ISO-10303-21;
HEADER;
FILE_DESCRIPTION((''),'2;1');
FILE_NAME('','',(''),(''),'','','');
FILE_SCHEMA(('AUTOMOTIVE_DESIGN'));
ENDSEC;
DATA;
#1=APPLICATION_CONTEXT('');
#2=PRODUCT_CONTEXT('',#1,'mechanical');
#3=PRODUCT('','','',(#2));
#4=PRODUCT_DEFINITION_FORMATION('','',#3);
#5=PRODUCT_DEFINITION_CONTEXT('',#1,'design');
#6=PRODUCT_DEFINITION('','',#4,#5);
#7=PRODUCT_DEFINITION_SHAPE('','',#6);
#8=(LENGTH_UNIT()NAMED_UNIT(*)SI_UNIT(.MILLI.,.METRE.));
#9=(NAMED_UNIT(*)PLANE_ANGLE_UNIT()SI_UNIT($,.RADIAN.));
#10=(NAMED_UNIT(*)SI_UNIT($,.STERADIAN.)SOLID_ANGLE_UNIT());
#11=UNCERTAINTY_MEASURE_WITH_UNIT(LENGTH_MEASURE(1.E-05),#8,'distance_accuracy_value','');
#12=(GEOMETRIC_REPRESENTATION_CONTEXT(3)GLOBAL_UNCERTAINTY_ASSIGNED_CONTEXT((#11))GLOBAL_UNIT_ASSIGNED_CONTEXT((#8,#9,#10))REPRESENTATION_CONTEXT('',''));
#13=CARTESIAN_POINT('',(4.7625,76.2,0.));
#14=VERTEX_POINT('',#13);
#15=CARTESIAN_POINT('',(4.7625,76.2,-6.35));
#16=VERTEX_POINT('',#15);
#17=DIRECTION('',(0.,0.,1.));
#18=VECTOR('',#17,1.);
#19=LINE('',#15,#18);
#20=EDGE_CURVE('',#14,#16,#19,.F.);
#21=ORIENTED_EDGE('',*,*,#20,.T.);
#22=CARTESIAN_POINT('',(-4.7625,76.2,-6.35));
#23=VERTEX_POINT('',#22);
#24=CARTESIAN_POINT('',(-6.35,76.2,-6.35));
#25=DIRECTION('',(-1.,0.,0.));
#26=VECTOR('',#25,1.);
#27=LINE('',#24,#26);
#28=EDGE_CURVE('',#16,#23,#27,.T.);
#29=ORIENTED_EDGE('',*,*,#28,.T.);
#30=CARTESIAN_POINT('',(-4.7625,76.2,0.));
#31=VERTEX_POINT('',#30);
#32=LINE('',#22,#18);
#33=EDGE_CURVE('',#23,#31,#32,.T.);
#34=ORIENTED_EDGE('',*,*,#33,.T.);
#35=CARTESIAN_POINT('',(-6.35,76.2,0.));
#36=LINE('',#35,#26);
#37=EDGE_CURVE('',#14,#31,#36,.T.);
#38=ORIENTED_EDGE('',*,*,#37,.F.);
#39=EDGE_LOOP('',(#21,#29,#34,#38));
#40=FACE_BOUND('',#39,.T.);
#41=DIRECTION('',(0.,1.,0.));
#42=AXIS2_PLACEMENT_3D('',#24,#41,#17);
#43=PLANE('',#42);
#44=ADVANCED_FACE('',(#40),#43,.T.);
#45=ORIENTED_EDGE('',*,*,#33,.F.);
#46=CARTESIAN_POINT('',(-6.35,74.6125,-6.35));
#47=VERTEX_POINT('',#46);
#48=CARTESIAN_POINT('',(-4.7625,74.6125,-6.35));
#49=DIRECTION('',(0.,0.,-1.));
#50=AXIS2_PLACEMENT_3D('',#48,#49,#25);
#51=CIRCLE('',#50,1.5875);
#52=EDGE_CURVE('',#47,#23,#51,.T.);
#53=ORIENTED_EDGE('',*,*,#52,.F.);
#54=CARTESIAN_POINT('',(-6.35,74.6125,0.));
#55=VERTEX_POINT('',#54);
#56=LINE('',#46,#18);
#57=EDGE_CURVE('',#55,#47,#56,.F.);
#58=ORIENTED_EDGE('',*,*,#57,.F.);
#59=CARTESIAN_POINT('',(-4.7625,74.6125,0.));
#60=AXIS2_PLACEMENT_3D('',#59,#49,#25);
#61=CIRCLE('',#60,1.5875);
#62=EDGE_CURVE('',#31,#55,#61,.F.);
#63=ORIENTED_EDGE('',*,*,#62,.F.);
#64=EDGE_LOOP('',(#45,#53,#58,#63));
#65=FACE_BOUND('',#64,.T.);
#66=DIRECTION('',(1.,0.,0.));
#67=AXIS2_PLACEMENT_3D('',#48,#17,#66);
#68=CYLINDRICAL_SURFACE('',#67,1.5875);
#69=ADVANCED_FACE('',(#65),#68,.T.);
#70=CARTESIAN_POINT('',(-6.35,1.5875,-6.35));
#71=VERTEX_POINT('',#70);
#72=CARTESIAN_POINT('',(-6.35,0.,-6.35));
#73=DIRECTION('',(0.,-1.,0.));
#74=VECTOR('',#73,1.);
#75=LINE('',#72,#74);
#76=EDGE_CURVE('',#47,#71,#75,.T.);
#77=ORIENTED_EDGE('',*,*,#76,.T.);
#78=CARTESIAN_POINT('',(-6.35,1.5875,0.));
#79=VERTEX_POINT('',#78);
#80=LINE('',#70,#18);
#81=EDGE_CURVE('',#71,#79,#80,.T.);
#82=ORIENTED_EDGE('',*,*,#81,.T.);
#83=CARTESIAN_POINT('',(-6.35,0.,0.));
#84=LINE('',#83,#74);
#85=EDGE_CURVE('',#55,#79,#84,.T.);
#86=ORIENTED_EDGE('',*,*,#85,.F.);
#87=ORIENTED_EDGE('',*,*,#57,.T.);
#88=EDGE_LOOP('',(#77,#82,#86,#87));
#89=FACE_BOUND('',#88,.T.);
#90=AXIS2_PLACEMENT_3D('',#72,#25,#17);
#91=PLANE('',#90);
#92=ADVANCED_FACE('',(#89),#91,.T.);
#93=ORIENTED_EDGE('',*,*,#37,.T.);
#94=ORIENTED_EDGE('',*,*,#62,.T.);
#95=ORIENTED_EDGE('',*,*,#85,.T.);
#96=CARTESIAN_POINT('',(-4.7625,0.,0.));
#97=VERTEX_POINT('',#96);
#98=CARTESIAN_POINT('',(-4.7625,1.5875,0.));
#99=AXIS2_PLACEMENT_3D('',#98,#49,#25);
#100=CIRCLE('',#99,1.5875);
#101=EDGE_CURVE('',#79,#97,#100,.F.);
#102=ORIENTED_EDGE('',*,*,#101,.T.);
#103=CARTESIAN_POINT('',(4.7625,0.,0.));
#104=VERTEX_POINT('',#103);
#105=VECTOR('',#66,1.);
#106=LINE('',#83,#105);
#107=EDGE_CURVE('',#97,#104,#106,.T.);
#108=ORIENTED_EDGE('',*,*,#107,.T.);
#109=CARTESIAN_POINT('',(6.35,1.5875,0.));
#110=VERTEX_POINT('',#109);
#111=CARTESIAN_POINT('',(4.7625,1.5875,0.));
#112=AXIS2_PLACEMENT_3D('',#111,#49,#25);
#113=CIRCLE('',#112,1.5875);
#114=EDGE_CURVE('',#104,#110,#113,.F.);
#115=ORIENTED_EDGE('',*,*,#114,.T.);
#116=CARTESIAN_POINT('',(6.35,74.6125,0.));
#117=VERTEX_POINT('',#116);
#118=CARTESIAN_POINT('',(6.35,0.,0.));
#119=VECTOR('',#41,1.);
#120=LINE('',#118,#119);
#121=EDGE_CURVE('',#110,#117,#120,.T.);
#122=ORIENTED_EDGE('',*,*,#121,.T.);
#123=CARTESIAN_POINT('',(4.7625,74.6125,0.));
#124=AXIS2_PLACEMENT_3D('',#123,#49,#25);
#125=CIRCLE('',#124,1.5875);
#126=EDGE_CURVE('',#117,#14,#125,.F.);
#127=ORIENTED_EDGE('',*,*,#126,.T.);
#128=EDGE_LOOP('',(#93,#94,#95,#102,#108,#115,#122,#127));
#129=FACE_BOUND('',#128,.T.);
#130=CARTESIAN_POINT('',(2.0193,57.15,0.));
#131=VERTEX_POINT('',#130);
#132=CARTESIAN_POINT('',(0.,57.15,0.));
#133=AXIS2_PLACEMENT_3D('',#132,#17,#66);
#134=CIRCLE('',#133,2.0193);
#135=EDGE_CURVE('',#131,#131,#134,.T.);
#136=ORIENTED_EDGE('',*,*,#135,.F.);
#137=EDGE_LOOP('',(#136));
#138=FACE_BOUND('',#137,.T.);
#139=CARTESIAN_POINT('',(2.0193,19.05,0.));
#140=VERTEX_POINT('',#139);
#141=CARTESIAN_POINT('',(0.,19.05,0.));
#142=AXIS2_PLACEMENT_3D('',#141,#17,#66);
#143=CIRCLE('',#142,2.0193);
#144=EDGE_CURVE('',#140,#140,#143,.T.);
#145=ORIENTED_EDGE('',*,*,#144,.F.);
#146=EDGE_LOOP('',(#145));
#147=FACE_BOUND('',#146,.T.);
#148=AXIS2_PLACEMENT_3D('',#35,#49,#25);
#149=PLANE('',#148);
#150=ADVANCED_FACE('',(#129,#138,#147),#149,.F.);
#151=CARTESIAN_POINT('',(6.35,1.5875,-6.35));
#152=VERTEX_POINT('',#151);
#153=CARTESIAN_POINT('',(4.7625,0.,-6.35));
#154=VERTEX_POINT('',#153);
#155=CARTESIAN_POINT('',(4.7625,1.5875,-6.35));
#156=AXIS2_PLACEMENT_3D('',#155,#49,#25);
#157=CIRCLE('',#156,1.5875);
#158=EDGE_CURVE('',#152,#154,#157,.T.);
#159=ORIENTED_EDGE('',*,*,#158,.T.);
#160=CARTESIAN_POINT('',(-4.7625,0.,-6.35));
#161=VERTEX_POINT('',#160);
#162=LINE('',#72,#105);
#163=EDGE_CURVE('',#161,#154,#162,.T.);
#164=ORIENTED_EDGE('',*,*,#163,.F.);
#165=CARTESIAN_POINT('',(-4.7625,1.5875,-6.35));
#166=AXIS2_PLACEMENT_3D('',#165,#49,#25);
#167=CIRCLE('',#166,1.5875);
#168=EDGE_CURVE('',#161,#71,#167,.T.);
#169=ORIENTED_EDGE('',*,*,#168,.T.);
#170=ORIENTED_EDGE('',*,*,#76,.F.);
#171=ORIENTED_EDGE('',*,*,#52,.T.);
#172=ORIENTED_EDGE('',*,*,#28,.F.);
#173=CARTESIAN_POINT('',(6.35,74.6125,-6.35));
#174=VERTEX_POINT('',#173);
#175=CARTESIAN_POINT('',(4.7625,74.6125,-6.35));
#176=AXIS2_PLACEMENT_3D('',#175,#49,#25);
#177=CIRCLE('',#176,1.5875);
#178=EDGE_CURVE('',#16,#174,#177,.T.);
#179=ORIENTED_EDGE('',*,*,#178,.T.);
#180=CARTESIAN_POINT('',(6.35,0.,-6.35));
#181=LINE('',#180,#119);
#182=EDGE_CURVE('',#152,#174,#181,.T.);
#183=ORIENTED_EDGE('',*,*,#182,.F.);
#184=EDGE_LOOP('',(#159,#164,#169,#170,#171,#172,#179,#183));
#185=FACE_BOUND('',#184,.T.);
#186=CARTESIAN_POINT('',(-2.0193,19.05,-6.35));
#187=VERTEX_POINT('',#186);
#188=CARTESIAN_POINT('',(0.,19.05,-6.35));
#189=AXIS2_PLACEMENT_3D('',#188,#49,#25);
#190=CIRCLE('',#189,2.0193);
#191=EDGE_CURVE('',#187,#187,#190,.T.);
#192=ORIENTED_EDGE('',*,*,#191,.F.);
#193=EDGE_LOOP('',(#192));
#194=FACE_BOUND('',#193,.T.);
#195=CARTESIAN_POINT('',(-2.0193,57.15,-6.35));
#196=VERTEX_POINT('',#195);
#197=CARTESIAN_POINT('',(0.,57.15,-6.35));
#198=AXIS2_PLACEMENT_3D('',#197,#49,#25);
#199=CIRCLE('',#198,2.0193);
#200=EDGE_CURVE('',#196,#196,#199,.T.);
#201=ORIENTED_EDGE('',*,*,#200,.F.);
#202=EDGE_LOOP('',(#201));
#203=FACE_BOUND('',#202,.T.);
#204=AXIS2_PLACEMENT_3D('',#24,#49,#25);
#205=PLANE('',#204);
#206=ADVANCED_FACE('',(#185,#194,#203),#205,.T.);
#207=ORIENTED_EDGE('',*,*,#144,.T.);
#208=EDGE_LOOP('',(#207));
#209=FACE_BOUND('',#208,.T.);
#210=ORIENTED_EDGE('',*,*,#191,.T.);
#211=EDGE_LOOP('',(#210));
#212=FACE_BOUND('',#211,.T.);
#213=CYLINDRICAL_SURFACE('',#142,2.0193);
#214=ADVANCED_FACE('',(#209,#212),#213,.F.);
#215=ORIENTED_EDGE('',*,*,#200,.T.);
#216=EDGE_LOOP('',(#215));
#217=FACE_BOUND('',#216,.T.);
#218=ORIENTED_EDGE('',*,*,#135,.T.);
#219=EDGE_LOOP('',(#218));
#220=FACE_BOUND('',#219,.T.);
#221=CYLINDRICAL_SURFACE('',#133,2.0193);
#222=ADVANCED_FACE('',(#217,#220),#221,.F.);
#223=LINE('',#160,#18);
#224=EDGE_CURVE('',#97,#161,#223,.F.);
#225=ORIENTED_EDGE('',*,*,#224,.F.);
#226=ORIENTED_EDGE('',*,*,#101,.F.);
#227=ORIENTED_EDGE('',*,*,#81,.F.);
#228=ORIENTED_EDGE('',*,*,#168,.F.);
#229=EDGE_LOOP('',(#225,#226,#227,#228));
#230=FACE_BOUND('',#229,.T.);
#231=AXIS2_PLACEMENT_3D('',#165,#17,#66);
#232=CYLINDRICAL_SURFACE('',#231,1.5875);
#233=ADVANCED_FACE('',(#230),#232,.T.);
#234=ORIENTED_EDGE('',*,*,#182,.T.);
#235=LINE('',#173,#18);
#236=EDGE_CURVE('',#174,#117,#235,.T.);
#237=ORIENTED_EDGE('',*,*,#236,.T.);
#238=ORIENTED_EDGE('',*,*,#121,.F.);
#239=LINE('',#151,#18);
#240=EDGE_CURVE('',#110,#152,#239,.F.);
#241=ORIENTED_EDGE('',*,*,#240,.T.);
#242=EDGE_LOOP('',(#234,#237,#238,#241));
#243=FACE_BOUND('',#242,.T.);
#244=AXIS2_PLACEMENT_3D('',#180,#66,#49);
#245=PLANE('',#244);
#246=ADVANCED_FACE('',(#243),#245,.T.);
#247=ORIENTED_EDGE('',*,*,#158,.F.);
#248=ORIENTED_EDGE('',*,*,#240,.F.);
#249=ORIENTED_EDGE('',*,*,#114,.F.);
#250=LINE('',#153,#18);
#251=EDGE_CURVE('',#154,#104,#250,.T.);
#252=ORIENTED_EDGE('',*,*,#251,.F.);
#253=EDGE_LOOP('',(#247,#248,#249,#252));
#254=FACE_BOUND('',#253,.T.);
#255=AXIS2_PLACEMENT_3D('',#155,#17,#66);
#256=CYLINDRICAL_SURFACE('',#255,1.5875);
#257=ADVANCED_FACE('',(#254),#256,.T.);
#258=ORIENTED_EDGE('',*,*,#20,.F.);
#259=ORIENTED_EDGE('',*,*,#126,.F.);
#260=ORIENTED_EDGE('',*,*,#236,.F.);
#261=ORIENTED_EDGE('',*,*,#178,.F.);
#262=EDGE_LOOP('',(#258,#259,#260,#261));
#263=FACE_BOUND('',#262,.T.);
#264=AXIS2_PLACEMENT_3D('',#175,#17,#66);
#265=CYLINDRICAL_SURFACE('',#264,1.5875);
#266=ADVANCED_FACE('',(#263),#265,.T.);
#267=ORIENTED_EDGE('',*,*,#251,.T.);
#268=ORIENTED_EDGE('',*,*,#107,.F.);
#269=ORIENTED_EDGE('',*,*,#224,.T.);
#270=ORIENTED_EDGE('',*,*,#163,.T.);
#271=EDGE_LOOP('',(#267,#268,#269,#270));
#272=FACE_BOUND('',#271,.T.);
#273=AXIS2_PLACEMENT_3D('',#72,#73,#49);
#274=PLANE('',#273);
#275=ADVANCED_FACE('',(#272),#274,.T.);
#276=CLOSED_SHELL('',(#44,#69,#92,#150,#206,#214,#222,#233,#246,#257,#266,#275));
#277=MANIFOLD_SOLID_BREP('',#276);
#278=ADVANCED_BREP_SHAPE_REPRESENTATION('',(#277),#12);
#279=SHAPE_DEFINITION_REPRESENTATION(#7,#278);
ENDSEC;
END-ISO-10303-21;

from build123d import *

# Parameters (mm, degrees)
SKETCH1_W                  = 12.7
SKETCH1_H                  = 76.2
EXTRUDE1_DEPTH             = 6.35
F_10_32_TAPPED_HOLE1_D     = 4.0386
F_10_32_TAPPED_HOLE1_DEPTH = 13.716
F_10_32_TAPPED_HOLE1_TIP   = 1.213317848
FILLET1_R                  = 1.5875


with BuildPart() as part:
    # Sketch1 → Extrude1 (new body)
    with BuildSketch(Plane.XY):
        with Locations((0, 38.1)):
            Rectangle(SKETCH1_W, SKETCH1_H)
    extrude(amount=-EXTRUDE1_DEPTH)

    # #10-32 Tapped Hole1
    with Locations(Plane.XY):
        with Locations((0, 57.15), (0, 19.05)):
            Hole(F_10_32_TAPPED_HOLE1_D / 2, depth=F_10_32_TAPPED_HOLE1_DEPTH)
            with Locations((0, 0, -(F_10_32_TAPPED_HOLE1_DEPTH + F_10_32_TAPPED_HOLE1_TIP / 2))):  # 118° drill point
                Cone(0, F_10_32_TAPPED_HOLE1_D / 2, F_10_32_TAPPED_HOLE1_TIP, mode=Mode.SUBTRACT)

    # Fillet1
    fillet1_edges = [part.edges().sort_by_distance(p)[0] for p in [
        (-6.35, 76.2, -3.175),
        (6.35, 76.2, -3.175),
        (6.35, 0, -3.175),
        (-6.35, 0, -3.175),
    ]]
    fillet(fillet1_edges, radius=FILLET1_R)


solid = part.part
